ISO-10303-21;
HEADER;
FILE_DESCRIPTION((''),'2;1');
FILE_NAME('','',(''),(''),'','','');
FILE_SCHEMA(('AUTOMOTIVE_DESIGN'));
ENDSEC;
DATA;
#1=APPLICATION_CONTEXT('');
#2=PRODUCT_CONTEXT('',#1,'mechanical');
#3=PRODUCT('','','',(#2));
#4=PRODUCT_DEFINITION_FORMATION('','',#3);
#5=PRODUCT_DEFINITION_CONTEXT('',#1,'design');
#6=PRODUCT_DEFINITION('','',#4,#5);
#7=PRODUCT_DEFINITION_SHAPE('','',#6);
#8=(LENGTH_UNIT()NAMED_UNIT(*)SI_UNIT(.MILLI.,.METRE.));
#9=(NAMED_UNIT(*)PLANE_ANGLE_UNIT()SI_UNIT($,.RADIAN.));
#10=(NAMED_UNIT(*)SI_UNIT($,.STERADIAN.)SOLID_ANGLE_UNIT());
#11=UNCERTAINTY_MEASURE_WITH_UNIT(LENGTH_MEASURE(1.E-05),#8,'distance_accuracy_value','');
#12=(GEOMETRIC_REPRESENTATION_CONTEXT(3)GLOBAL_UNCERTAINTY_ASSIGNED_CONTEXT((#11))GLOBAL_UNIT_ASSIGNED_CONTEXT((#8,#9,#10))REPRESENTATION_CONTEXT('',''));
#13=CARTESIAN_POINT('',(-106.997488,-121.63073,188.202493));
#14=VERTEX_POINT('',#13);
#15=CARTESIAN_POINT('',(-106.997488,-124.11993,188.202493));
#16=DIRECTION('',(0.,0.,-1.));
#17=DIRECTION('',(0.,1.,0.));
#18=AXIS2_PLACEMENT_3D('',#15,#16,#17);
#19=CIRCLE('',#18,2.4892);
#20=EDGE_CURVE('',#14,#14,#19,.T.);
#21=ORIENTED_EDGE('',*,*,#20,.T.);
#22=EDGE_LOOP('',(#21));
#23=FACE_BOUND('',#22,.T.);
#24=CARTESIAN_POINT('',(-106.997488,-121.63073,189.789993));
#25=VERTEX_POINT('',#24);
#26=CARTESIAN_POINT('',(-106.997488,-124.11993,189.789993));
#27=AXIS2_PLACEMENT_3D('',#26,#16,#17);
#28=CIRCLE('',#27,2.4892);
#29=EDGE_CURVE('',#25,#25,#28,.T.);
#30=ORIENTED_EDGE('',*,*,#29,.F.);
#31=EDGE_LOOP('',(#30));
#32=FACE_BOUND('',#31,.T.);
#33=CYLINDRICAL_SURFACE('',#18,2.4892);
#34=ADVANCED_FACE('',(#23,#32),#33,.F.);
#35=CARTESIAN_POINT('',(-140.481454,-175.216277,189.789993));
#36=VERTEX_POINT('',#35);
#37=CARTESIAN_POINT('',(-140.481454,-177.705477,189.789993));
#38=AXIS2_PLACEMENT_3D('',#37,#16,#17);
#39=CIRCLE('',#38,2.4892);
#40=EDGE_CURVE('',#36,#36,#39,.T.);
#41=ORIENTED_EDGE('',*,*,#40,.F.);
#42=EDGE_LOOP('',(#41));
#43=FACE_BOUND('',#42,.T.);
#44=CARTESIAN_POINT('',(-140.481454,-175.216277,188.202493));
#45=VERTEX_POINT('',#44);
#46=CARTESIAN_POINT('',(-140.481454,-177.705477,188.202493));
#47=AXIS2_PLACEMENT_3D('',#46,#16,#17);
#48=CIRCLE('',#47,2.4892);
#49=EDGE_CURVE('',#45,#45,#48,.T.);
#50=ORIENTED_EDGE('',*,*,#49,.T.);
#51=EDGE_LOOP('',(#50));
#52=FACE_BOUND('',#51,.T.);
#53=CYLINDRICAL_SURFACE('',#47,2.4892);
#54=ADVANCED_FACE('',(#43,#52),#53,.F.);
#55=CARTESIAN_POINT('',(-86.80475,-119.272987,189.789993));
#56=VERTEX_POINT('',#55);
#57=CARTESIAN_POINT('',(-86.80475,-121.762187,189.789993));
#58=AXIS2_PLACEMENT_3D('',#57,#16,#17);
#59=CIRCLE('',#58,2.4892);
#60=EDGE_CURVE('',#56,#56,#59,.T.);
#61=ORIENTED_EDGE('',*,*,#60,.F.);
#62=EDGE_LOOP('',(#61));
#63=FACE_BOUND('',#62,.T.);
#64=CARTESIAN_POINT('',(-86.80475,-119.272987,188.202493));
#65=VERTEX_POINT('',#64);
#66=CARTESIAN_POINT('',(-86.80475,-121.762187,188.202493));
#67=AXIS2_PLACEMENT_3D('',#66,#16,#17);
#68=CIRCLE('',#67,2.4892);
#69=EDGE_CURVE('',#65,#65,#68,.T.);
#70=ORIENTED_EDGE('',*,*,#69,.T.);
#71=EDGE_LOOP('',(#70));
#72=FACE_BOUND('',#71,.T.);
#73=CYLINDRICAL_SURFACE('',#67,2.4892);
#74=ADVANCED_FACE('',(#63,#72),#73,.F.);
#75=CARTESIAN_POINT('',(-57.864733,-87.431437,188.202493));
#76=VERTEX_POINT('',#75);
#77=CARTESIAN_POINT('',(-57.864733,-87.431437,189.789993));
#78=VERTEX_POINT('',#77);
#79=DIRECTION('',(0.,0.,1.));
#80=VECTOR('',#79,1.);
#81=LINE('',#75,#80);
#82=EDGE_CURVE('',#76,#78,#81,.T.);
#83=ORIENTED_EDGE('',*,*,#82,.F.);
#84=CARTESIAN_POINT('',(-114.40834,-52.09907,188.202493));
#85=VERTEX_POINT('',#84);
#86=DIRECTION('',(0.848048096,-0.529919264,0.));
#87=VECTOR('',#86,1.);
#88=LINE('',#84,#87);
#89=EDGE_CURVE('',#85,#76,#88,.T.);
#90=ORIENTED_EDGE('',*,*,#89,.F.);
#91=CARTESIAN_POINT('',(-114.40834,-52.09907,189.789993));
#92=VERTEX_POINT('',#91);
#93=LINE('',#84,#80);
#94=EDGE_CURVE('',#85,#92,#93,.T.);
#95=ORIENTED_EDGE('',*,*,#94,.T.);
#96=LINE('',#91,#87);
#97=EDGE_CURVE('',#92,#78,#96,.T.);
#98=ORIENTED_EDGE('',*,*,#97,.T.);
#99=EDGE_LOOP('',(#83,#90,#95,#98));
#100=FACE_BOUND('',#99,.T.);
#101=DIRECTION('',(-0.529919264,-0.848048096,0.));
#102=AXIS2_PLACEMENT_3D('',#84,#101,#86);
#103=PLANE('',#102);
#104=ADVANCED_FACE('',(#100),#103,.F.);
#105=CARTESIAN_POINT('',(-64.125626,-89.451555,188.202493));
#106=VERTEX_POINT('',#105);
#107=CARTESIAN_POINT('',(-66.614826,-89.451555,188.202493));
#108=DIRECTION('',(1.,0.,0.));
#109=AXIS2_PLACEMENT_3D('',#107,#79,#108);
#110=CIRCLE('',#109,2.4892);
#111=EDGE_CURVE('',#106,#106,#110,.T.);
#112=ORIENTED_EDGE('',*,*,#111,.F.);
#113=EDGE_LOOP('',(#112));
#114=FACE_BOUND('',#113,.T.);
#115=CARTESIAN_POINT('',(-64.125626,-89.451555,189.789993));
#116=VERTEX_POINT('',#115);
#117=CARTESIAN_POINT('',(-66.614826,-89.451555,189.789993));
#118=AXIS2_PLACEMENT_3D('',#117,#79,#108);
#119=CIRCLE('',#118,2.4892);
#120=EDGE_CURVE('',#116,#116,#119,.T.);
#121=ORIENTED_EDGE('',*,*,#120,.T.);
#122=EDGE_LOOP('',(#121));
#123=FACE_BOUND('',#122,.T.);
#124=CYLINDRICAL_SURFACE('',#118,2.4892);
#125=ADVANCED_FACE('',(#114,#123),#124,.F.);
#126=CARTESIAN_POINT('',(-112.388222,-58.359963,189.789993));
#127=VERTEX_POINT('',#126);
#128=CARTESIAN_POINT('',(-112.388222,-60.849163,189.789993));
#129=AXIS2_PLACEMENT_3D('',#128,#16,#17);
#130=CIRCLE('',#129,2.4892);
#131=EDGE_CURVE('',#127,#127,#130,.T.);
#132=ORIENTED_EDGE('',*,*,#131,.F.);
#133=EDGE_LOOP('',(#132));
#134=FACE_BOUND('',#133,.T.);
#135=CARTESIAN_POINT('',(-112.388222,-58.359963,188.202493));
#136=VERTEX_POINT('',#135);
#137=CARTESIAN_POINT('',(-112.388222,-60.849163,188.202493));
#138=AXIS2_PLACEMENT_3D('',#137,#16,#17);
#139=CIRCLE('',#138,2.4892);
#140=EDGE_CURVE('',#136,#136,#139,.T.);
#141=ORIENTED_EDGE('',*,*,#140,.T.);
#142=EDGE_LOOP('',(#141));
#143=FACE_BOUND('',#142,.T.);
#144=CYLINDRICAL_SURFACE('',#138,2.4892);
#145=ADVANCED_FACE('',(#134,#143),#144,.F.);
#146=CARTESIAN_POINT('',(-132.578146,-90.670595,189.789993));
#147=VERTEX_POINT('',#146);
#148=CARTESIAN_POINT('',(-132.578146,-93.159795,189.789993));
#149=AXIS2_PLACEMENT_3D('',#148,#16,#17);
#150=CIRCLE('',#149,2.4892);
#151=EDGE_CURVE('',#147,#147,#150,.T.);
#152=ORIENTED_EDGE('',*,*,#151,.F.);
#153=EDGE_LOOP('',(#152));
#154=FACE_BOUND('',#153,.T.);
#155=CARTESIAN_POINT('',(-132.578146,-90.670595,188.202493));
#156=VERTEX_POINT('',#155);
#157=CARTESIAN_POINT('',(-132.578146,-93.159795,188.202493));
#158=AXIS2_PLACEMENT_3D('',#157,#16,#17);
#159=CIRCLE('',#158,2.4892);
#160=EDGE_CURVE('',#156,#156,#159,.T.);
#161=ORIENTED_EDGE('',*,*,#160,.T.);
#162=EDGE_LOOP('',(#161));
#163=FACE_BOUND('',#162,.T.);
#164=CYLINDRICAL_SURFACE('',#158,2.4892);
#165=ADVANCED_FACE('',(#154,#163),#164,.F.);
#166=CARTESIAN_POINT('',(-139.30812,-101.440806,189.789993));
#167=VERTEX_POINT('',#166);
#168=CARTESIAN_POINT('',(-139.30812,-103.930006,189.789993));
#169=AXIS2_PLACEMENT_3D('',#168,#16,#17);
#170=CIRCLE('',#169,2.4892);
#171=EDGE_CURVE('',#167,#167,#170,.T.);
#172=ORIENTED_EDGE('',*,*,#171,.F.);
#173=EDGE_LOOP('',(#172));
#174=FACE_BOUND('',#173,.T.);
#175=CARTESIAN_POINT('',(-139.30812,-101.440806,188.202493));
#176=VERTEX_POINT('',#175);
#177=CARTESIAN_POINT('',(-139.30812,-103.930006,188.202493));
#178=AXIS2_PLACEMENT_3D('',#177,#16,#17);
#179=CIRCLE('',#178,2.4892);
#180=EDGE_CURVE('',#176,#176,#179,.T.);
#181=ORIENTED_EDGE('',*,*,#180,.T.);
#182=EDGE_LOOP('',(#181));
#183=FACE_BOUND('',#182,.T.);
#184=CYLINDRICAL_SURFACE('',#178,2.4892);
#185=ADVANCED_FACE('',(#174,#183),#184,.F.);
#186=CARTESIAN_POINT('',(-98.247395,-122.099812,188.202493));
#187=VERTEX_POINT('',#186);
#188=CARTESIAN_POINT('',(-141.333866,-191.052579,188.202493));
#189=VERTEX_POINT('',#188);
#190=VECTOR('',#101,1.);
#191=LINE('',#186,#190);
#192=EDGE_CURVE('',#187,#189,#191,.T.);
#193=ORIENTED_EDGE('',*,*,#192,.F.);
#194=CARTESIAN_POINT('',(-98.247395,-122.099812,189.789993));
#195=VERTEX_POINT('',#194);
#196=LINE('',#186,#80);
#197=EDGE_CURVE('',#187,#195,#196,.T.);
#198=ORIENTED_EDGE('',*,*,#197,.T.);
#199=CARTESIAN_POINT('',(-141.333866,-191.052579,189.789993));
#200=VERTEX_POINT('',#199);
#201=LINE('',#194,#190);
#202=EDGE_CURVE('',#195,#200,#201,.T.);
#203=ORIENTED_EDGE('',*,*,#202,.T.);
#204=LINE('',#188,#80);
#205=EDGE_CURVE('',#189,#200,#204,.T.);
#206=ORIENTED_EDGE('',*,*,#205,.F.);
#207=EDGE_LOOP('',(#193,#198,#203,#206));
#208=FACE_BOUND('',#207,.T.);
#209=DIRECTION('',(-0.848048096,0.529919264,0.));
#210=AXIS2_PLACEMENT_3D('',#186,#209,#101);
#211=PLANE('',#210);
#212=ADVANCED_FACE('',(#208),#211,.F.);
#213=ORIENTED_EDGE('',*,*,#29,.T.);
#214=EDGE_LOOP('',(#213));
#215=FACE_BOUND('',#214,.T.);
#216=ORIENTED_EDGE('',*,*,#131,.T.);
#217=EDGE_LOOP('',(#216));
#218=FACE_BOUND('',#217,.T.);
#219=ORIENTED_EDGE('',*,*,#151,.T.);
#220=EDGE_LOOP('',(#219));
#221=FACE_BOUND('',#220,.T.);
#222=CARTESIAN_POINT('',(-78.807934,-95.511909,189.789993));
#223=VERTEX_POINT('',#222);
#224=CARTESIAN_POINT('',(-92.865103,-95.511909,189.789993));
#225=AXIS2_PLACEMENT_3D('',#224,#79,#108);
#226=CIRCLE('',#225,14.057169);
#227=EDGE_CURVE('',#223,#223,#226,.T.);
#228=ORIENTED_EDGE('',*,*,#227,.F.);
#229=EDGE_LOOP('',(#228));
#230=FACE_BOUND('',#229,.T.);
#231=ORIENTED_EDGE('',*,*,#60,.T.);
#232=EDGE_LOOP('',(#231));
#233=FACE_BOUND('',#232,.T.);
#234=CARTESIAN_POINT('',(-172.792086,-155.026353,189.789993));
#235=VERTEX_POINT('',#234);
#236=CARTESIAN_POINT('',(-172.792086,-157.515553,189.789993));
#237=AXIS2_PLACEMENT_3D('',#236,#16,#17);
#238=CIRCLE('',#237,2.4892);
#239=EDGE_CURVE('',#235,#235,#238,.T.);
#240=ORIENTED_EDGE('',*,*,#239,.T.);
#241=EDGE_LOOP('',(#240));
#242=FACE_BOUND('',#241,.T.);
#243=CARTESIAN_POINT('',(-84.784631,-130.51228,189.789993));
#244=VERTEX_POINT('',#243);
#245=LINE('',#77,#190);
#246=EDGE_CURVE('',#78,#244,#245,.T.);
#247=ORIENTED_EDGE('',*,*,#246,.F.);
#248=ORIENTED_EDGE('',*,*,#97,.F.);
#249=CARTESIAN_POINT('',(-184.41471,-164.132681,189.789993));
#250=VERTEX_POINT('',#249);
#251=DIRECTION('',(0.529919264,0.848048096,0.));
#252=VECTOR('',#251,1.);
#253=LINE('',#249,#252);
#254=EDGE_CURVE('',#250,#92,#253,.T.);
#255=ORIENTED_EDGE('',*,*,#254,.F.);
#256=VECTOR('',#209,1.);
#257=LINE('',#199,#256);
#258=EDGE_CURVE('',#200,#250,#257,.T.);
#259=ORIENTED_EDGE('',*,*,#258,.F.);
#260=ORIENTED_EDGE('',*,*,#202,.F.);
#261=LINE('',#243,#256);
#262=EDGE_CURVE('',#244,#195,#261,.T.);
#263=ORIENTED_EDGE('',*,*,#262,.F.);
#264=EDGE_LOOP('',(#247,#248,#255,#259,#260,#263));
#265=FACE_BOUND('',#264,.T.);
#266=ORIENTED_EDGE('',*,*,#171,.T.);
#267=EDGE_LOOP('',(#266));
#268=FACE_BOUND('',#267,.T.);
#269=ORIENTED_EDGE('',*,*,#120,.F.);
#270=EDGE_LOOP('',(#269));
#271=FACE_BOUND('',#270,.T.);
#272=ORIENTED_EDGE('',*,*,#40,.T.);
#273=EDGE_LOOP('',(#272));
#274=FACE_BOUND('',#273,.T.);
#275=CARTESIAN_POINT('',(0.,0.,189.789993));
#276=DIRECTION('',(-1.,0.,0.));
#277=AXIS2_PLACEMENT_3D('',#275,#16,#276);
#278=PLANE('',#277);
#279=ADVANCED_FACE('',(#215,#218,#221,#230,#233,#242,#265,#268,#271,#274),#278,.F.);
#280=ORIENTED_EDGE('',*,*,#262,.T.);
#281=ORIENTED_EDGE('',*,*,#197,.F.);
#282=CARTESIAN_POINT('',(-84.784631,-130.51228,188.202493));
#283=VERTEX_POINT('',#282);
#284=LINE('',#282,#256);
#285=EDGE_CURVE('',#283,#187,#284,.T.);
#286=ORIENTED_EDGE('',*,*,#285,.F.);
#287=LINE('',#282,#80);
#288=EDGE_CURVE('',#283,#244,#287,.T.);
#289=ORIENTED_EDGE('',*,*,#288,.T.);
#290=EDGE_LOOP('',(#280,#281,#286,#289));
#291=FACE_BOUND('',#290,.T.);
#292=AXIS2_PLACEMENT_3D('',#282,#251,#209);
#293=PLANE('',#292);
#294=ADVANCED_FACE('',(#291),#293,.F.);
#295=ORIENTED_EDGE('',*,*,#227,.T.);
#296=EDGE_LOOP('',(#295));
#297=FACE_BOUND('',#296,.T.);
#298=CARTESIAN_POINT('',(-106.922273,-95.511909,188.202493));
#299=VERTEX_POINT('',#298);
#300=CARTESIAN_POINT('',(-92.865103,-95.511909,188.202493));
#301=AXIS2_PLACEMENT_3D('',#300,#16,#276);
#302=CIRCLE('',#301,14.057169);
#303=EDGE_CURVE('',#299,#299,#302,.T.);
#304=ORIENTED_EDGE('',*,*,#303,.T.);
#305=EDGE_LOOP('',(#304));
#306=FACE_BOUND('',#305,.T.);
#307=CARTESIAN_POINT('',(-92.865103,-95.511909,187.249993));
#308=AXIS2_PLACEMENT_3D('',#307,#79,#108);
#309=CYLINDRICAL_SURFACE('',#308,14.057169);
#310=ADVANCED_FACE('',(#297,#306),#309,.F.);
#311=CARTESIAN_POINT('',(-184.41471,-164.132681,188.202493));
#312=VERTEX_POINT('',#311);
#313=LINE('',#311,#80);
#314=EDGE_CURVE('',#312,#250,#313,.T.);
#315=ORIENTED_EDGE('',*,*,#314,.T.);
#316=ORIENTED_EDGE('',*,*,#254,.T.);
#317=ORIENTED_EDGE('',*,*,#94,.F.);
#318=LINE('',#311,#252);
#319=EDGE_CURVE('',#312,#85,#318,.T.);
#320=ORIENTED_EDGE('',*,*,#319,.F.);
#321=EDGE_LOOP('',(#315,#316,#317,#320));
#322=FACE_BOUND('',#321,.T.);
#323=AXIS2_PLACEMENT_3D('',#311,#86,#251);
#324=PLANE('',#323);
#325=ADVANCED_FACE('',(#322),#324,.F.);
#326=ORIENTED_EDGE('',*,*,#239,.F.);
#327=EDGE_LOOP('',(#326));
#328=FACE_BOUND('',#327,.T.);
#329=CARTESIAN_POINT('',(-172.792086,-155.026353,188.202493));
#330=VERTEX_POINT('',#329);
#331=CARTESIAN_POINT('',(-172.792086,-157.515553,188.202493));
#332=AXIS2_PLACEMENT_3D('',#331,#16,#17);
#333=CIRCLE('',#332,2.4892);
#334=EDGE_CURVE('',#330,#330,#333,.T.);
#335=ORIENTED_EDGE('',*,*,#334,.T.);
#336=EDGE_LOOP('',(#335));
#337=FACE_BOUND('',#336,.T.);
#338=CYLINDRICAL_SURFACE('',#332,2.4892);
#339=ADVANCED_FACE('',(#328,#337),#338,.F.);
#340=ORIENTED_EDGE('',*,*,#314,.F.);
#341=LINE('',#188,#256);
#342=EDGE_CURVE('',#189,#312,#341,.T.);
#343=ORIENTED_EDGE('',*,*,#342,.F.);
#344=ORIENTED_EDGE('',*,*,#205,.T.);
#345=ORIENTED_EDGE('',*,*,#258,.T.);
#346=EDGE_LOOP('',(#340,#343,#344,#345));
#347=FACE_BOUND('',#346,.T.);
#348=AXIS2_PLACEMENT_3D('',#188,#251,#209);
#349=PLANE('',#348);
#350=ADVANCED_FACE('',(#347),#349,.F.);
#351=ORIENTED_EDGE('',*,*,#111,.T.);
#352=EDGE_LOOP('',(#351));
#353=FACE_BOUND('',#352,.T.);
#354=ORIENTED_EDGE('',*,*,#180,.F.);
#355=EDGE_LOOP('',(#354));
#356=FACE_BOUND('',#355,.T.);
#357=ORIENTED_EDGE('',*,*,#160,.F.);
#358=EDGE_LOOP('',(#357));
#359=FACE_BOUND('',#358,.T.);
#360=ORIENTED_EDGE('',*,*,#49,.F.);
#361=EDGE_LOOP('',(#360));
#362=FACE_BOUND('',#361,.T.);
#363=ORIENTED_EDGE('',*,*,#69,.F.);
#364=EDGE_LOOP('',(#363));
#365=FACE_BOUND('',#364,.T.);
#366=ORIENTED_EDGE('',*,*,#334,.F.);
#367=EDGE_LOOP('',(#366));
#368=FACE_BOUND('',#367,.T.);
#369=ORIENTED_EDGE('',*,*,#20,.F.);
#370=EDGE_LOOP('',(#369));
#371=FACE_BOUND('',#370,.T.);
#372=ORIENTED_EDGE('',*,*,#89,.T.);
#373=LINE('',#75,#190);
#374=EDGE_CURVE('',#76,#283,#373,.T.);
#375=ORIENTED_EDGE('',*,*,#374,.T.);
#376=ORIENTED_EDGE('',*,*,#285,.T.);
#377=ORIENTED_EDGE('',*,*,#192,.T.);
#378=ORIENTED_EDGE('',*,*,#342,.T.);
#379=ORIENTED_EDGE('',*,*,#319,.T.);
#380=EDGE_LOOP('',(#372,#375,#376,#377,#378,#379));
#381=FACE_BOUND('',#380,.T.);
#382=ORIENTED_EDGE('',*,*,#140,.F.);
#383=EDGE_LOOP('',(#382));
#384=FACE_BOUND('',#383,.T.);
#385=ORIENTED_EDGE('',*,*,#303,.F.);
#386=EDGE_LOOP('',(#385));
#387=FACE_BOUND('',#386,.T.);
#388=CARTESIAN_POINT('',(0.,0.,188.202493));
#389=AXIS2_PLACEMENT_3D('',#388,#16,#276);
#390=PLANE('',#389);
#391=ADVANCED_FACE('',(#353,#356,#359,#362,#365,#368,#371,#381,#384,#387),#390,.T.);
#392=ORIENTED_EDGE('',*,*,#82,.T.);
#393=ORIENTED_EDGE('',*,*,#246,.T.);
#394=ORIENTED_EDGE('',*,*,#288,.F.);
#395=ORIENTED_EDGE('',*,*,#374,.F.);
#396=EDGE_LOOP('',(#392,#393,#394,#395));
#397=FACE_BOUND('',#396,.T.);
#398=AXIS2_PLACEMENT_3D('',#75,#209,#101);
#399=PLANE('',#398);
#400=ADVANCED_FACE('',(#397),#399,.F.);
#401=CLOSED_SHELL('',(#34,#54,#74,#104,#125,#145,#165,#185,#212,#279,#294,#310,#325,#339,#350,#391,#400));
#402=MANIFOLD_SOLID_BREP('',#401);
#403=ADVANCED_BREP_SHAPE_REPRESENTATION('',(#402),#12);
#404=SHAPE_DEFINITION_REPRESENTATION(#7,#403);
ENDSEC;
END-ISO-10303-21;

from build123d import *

# Parameters (mm, degrees)
BOSS_EXTRUDE1_DEPTH    = 1.5875
F_10_CLEARANCE_HOLE1_D = 4.9784
SKETCH5_R              = 14.057169334
CUT_EXTRUDE1_DEPTH     = 2.54
F_10_CLEARANCE_HOLE2_D = 4.9784


with BuildPart() as part:
    # Sketch2 → Boss-Extrude1 (new body)
    with BuildSketch(Plane(origin=(0, 0, 189.78999271), x_dir=(-1, 0, 0), z_dir=(0, 0, -1))):
        Polygon((57.864732818, -87.431436787), (84.784631441, -130.512280072), (98.247394968, -122.099811752), (141.333866252, -191.052579482), (184.414709536, -164.132680859), (114.40833963, -52.099069844), align=None)
    extrude(amount=BOSS_EXTRUDE1_DEPTH)

    # #10 Clearance Hole1 (through all)
    with Locations(Plane(origin=(0, 0, 188.20249271), x_dir=(-1, 0, 0), z_dir=(0, 0, -1))):
        with Locations((106.997487706, -124.119929835), (86.804749524, -121.762187333), (112.388221547, -60.849162582), (132.578145514, -93.159795046), (139.30812017, -103.930005867), (172.792086333, -157.515553088), (140.48145387, -177.705477055)):
            Hole(F_10_CLEARANCE_HOLE1_D / 2)

    # Sketch5 → Cut-Extrude1 (cut)
    with BuildSketch(Plane.XY.offset(189.78999271)):
        with Locations((-92.865103341, -95.511909387)):
            Circle(SKETCH5_R)
    extrude(amount=-CUT_EXTRUDE1_DEPTH, mode=Mode.SUBTRACT)

    # #10 Clearance Hole2 (through all)
    with Locations(Plane.XY.offset(189.78999271)):
        with Locations((-66.614825557, -89.451554869)):
            Hole(F_10_CLEARANCE_HOLE2_D / 2)


solid = part.part
